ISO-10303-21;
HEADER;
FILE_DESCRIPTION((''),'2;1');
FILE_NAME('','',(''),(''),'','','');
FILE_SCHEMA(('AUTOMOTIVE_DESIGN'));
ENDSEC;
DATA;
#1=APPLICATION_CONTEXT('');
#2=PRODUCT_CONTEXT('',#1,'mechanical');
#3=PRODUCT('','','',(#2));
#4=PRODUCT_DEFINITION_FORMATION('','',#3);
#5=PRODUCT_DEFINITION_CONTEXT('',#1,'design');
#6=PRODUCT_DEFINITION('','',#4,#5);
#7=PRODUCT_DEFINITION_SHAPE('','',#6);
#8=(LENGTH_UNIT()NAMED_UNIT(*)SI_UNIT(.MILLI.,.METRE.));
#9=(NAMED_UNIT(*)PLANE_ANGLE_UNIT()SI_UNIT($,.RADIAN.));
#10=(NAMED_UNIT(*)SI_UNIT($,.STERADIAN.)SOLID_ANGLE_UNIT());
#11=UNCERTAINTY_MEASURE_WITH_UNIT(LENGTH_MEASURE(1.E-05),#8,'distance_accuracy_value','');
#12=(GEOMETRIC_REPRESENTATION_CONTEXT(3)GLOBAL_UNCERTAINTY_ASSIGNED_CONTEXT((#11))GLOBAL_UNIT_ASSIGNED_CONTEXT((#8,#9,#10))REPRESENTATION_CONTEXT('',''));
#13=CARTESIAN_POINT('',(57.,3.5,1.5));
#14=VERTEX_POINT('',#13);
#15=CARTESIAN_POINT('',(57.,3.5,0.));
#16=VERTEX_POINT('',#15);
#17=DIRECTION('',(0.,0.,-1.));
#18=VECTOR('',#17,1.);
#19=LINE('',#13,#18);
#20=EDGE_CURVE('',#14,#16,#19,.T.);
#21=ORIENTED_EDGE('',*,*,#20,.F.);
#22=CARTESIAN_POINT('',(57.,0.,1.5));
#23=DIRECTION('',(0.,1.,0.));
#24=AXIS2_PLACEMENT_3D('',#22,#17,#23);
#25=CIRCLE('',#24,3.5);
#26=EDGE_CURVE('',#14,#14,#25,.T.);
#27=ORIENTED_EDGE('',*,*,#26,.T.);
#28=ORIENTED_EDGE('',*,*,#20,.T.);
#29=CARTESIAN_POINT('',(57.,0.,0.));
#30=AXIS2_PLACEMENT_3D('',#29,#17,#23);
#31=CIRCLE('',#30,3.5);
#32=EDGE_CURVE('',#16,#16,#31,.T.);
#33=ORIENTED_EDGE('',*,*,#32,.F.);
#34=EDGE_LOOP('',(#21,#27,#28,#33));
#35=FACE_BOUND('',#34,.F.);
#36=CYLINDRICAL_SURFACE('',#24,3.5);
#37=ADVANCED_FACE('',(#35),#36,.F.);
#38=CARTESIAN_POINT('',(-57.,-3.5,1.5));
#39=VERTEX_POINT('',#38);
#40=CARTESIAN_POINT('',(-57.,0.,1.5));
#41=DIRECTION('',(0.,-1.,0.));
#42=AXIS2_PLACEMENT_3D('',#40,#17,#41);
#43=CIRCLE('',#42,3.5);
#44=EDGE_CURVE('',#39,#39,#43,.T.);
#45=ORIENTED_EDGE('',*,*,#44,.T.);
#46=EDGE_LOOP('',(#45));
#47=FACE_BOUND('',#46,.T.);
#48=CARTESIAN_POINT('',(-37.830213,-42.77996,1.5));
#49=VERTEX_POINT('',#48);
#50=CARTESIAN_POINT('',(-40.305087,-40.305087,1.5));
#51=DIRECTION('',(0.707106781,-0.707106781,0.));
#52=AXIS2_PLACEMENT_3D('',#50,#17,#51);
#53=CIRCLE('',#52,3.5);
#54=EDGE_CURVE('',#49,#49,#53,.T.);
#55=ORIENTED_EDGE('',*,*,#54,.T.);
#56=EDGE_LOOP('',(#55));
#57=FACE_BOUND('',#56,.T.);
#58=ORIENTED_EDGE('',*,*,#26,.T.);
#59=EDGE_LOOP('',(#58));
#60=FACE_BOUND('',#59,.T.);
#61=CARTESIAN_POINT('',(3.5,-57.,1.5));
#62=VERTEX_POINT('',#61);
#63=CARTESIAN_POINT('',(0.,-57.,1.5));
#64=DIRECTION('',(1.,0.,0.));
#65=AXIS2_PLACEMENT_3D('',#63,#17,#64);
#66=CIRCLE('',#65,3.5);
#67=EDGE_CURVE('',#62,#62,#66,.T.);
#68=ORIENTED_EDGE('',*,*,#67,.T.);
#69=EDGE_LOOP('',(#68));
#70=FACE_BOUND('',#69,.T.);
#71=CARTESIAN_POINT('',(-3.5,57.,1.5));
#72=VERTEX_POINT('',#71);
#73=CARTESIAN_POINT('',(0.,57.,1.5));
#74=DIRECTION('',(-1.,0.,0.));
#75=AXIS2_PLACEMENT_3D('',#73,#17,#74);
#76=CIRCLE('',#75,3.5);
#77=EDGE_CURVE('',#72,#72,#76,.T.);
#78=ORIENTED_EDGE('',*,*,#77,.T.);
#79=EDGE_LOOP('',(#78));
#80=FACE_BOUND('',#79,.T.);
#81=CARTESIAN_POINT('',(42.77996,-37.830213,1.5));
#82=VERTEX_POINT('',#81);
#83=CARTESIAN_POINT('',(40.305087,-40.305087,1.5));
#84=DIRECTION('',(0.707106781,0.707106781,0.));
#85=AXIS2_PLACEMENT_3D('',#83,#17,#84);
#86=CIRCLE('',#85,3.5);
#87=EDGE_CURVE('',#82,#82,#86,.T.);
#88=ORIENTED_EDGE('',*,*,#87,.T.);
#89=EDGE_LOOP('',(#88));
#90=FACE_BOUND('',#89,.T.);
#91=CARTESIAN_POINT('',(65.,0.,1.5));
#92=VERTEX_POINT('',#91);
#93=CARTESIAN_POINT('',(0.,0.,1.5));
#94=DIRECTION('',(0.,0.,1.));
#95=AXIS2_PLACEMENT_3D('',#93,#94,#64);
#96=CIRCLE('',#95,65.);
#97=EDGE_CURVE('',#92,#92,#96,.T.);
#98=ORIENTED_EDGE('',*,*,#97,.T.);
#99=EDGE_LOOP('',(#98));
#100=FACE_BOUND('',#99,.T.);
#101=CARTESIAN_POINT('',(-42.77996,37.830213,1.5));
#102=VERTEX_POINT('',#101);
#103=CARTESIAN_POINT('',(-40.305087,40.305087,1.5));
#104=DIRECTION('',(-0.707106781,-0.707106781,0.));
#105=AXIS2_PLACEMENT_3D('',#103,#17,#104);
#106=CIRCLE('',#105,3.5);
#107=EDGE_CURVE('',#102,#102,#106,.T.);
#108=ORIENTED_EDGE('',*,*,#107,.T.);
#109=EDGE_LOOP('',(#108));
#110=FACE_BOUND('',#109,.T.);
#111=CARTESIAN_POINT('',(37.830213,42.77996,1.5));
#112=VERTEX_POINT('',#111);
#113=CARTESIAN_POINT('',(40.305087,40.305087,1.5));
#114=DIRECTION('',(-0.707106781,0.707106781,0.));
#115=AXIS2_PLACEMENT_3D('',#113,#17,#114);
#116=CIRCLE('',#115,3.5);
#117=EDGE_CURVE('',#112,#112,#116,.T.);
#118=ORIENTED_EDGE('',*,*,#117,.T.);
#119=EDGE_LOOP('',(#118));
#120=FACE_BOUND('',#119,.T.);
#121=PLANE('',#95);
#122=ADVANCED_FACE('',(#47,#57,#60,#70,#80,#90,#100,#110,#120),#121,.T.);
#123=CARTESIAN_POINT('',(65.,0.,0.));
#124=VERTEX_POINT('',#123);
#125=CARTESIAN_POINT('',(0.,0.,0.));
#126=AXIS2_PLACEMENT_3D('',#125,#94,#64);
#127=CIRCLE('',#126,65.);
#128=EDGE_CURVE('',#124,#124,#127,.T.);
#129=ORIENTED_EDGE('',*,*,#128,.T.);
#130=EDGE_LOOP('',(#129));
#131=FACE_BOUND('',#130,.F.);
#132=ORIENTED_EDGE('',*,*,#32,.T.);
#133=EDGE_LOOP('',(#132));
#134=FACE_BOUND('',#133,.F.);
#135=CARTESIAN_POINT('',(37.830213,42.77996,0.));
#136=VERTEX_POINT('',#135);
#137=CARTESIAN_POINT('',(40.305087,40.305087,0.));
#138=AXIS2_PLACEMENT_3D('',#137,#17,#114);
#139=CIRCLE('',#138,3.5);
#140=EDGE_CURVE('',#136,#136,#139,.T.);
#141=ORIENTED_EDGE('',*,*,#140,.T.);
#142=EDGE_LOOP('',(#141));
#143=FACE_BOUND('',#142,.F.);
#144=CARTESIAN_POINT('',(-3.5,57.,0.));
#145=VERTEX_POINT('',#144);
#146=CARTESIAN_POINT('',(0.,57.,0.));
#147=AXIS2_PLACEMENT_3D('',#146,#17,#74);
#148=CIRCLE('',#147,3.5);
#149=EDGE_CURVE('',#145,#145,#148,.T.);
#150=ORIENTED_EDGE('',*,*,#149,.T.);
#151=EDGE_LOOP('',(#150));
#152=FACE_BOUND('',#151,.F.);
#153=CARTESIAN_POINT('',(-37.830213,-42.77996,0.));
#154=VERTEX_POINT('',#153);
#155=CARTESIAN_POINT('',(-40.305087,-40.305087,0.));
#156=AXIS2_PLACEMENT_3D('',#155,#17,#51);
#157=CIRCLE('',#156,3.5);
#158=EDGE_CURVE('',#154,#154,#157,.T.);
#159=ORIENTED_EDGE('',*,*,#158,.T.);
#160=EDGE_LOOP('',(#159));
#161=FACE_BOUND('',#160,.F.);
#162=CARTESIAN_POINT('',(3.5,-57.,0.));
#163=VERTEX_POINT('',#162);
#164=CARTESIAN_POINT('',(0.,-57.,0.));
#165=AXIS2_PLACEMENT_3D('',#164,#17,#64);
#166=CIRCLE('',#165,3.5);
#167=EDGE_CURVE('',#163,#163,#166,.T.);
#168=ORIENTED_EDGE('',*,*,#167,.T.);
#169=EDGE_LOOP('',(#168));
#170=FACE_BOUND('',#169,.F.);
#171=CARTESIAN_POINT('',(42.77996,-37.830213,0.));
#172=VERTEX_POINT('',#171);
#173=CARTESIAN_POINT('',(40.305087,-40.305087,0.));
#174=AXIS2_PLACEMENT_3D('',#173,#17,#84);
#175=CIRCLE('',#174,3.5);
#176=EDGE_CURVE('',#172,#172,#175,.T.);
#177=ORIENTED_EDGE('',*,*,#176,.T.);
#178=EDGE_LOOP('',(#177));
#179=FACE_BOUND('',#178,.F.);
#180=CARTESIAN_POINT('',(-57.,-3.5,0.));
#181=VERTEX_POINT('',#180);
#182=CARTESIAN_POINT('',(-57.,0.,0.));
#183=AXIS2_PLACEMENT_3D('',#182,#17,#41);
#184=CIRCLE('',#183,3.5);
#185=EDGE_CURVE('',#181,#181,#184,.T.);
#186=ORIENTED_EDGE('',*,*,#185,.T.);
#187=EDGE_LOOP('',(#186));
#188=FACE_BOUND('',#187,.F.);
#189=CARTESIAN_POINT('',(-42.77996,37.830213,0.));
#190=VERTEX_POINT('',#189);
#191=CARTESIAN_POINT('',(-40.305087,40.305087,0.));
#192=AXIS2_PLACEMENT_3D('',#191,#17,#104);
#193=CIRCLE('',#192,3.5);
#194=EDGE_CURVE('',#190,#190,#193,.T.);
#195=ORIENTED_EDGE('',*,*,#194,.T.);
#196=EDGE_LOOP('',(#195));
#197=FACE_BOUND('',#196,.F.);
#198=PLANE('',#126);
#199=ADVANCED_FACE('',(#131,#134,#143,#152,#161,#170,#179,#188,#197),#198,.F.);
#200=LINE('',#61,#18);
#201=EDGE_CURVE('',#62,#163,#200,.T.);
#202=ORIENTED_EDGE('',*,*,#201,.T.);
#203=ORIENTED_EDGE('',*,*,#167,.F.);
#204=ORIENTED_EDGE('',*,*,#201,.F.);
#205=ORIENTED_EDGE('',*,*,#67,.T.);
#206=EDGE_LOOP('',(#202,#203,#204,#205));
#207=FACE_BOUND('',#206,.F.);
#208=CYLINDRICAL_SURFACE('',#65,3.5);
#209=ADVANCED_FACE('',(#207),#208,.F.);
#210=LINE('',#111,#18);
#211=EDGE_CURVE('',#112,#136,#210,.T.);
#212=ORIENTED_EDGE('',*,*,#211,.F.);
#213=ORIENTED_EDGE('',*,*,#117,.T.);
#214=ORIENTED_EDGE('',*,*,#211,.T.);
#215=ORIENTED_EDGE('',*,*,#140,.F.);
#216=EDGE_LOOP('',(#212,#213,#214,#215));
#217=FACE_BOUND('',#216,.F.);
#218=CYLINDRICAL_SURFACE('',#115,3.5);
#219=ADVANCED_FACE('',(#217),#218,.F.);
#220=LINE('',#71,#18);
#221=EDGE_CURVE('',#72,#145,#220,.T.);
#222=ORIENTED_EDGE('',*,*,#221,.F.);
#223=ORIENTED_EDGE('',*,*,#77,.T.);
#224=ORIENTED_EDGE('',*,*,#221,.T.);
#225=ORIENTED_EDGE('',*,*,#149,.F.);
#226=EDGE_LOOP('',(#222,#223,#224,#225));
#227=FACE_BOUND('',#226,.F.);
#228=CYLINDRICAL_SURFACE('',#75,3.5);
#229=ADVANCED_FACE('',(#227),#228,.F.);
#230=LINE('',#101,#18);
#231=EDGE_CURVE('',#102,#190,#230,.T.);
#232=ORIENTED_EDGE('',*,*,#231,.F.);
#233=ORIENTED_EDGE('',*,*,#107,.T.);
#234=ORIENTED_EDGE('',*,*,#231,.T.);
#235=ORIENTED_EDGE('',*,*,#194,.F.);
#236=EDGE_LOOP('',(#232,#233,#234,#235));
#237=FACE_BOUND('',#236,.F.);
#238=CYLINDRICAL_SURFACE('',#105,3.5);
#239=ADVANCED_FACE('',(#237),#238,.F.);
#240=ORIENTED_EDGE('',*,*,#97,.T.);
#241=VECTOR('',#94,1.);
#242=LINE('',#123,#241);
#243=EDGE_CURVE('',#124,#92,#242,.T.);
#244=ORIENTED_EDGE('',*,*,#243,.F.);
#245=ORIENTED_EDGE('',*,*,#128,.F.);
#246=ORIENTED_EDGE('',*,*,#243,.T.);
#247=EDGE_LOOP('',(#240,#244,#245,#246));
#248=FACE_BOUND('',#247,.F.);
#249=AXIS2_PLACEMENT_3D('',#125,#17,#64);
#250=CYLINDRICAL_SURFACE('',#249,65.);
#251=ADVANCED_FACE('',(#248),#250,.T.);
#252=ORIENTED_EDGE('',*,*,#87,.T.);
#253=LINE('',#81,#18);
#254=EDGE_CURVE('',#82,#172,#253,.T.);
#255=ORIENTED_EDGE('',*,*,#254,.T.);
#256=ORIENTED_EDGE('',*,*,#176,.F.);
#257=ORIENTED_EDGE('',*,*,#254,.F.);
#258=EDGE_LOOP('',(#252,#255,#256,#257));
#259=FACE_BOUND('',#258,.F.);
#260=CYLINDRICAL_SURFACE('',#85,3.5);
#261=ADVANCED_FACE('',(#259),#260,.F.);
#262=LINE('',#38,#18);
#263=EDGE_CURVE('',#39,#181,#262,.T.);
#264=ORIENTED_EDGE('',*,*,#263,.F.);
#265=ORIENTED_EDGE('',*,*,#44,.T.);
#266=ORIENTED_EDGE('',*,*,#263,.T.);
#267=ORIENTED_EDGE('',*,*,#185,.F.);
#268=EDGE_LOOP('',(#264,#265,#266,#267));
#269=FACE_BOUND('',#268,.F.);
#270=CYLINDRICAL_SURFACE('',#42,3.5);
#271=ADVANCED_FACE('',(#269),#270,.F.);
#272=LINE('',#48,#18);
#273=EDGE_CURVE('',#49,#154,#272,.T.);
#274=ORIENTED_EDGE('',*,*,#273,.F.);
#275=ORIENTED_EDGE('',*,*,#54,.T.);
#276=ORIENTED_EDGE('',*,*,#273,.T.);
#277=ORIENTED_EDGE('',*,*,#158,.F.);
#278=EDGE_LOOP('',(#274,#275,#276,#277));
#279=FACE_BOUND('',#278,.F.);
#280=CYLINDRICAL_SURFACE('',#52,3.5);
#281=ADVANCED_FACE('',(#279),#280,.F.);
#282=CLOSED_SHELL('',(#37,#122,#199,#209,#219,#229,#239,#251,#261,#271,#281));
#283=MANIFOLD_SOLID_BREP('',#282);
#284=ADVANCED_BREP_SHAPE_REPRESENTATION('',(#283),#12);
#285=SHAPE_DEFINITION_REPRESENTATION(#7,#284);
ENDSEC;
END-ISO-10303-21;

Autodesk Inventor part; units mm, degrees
ref_plane "YZ Plane" through (0, 0, 0) normal (1, 0, 0) x (0, 1, 0)
ref_plane "XZ Plane" through (0, 0, 0) normal (0, 1, 0) x (-1, 0, 0)
ref_plane "XY Plane" through (0, 0, 0) normal (0, 0, 1) x (1, 0, 0)
sketch "Sketch1" plane through (0, 0, 0) normal (0, 0, 1) x (1, 0, 0)
  circle A0 centre (0, 0) radius 65
  dimension "d0" = 130
extrude "Extrusion1" add sketch "Sketch1" along normal blind 1.5
sketch "Sketch2" plane through (0, 0, 1.5) normal (0, 0, 1) x (1, 0, 0)
  circle A0 centre (0, 0) radius 57 construction
  point P0 (-57, 0)
  dimension "d3" = 114
hole "Hole1" at (-57, 0, 1.5) direction (0, 0, -1) diameter 7 end through all
pattern_circular "Circular Pattern1" count 8 over 360 about axis through (0, 0, -10) along (0, 0, 1) of "Hole1"
properties material "Rubber"
